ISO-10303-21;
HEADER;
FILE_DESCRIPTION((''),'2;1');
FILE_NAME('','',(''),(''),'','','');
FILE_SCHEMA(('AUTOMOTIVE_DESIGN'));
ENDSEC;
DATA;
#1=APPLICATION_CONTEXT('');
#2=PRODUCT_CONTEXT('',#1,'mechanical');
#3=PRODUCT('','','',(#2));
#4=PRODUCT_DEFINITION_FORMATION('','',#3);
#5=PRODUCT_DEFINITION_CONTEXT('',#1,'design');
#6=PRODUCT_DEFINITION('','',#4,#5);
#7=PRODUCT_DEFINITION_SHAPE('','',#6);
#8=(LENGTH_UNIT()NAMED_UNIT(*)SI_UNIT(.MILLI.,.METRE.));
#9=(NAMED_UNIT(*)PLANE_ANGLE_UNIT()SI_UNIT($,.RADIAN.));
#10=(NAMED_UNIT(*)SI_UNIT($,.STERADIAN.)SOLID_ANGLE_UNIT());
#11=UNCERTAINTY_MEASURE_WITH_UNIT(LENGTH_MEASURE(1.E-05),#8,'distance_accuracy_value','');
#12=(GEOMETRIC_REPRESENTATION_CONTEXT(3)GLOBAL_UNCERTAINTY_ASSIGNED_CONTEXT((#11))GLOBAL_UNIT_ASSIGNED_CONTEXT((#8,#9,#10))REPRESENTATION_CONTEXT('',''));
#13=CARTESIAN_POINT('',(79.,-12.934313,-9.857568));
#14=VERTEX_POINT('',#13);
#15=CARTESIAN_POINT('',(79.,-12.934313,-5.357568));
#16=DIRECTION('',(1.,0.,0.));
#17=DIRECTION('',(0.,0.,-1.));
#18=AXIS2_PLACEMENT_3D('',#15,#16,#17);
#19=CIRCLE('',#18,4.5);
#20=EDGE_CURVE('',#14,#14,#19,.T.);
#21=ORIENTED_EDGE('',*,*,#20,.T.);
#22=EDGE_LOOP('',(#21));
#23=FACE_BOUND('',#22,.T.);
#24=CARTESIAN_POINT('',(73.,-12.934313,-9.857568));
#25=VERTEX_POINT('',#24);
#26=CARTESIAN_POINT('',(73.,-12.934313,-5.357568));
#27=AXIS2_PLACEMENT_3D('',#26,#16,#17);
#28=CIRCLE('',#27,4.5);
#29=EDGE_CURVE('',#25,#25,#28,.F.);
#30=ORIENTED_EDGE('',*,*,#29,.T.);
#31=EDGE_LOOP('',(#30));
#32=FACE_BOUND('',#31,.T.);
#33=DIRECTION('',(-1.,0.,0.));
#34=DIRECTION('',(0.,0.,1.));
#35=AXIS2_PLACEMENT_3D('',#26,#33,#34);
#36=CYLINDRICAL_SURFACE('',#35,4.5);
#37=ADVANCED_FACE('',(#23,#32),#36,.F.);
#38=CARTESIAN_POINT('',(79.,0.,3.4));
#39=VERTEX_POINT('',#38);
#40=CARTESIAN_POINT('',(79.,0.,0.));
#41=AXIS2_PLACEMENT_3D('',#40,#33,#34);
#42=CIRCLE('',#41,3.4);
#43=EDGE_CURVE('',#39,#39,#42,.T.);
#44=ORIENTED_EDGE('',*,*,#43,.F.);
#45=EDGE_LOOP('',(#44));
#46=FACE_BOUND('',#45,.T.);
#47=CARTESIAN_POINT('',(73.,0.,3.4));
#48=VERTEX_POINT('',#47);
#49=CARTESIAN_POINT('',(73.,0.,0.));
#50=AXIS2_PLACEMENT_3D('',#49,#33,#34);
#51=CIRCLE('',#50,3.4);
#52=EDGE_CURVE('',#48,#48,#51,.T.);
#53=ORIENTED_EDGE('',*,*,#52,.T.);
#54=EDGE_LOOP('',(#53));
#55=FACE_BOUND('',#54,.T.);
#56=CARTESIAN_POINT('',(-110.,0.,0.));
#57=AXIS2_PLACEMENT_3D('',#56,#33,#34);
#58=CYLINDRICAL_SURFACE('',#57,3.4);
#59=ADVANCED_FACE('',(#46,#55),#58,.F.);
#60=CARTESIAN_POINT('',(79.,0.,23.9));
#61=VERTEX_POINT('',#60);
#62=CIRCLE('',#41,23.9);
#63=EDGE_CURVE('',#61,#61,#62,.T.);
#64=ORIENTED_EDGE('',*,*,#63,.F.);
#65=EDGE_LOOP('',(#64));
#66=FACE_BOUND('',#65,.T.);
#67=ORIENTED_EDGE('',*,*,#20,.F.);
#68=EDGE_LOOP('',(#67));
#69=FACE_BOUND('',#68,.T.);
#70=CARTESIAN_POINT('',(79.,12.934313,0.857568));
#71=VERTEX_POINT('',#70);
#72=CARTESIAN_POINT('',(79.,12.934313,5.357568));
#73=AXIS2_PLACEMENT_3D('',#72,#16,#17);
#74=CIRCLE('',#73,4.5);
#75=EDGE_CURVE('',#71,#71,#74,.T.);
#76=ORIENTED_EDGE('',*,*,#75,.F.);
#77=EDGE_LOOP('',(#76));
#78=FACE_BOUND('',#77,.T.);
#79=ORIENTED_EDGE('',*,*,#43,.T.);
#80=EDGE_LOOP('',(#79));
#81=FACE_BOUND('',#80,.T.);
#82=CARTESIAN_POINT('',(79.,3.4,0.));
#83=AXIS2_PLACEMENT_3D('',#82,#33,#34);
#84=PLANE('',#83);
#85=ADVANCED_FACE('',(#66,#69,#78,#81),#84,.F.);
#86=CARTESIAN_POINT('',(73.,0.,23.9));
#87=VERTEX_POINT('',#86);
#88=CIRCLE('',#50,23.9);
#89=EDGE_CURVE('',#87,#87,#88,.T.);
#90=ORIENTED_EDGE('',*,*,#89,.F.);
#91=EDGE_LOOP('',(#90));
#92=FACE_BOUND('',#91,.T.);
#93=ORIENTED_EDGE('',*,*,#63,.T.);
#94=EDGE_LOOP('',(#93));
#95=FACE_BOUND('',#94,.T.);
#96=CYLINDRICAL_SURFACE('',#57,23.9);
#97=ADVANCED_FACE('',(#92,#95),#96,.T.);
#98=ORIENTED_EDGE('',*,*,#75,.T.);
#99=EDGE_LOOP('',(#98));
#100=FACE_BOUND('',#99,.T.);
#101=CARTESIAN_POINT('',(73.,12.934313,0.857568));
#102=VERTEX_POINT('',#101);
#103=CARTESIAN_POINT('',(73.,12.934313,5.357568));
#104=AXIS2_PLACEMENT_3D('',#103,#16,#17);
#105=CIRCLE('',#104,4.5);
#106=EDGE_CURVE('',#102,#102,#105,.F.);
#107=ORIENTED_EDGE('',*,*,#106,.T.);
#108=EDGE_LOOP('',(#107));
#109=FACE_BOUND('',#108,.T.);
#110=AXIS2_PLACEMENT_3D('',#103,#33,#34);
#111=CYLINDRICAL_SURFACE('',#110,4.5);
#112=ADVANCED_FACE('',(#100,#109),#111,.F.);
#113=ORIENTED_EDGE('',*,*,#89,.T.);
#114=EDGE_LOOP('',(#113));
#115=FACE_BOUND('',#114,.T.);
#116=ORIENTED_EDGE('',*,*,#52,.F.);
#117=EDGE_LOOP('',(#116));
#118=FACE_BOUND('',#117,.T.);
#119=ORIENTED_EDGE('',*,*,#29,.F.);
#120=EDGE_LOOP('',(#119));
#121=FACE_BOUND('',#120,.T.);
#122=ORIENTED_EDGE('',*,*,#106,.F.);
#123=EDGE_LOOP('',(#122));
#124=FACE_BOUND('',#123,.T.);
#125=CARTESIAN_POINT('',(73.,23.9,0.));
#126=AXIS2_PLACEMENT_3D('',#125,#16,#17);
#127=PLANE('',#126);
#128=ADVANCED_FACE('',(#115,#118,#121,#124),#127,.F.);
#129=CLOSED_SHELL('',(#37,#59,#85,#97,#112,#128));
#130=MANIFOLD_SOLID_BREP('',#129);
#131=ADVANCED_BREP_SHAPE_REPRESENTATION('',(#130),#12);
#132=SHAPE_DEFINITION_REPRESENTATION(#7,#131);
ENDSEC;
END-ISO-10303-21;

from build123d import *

# Parameters (mm, degrees)
AXIAL_PROFILE_MM_W     = 6
AXIAL_PROFILE_MM_H     = 20.5
AXIAL_HOLES_DEPTH      = 86.926829338
AXIAL_HOLES_DEPTH_BACK = 86.926829338
SKETCH2_R              = 4.5


with BuildPart() as part:
    # Axial profile (mm) → Full revolution (revolve)
    with BuildSketch(Plane.XY, mode=Mode.PRIVATE) as full_revolution_sk:
        with Locations((76, 13.65)):
            Rectangle(AXIAL_PROFILE_MM_W, AXIAL_PROFILE_MM_H)
    revolve(full_revolution_sk.sketch.rotate(Axis((-110, 0, 0), (1, 0, 0)), 90), axis=Axis((-110, 0, 0), (1, 0, 0)))

    # Sketch2 → Axial holes (cut, two sides: drawn at the far end of the back side and taken through both)
    with BuildSketch(Plane(origin=(0, 0, 0), x_dir=(0, 0, -1), z_dir=(1, 0, 0)).offset(-AXIAL_HOLES_DEPTH_BACK)):
        with Locations((-5.357568053, 12.934313455)):
            Circle(SKETCH2_R)
        with Locations((5.357568053, -12.934313455)):
            Circle(SKETCH2_R)
    extrude(amount=AXIAL_HOLES_DEPTH + AXIAL_HOLES_DEPTH_BACK, mode=Mode.SUBTRACT)


solid = part.part
